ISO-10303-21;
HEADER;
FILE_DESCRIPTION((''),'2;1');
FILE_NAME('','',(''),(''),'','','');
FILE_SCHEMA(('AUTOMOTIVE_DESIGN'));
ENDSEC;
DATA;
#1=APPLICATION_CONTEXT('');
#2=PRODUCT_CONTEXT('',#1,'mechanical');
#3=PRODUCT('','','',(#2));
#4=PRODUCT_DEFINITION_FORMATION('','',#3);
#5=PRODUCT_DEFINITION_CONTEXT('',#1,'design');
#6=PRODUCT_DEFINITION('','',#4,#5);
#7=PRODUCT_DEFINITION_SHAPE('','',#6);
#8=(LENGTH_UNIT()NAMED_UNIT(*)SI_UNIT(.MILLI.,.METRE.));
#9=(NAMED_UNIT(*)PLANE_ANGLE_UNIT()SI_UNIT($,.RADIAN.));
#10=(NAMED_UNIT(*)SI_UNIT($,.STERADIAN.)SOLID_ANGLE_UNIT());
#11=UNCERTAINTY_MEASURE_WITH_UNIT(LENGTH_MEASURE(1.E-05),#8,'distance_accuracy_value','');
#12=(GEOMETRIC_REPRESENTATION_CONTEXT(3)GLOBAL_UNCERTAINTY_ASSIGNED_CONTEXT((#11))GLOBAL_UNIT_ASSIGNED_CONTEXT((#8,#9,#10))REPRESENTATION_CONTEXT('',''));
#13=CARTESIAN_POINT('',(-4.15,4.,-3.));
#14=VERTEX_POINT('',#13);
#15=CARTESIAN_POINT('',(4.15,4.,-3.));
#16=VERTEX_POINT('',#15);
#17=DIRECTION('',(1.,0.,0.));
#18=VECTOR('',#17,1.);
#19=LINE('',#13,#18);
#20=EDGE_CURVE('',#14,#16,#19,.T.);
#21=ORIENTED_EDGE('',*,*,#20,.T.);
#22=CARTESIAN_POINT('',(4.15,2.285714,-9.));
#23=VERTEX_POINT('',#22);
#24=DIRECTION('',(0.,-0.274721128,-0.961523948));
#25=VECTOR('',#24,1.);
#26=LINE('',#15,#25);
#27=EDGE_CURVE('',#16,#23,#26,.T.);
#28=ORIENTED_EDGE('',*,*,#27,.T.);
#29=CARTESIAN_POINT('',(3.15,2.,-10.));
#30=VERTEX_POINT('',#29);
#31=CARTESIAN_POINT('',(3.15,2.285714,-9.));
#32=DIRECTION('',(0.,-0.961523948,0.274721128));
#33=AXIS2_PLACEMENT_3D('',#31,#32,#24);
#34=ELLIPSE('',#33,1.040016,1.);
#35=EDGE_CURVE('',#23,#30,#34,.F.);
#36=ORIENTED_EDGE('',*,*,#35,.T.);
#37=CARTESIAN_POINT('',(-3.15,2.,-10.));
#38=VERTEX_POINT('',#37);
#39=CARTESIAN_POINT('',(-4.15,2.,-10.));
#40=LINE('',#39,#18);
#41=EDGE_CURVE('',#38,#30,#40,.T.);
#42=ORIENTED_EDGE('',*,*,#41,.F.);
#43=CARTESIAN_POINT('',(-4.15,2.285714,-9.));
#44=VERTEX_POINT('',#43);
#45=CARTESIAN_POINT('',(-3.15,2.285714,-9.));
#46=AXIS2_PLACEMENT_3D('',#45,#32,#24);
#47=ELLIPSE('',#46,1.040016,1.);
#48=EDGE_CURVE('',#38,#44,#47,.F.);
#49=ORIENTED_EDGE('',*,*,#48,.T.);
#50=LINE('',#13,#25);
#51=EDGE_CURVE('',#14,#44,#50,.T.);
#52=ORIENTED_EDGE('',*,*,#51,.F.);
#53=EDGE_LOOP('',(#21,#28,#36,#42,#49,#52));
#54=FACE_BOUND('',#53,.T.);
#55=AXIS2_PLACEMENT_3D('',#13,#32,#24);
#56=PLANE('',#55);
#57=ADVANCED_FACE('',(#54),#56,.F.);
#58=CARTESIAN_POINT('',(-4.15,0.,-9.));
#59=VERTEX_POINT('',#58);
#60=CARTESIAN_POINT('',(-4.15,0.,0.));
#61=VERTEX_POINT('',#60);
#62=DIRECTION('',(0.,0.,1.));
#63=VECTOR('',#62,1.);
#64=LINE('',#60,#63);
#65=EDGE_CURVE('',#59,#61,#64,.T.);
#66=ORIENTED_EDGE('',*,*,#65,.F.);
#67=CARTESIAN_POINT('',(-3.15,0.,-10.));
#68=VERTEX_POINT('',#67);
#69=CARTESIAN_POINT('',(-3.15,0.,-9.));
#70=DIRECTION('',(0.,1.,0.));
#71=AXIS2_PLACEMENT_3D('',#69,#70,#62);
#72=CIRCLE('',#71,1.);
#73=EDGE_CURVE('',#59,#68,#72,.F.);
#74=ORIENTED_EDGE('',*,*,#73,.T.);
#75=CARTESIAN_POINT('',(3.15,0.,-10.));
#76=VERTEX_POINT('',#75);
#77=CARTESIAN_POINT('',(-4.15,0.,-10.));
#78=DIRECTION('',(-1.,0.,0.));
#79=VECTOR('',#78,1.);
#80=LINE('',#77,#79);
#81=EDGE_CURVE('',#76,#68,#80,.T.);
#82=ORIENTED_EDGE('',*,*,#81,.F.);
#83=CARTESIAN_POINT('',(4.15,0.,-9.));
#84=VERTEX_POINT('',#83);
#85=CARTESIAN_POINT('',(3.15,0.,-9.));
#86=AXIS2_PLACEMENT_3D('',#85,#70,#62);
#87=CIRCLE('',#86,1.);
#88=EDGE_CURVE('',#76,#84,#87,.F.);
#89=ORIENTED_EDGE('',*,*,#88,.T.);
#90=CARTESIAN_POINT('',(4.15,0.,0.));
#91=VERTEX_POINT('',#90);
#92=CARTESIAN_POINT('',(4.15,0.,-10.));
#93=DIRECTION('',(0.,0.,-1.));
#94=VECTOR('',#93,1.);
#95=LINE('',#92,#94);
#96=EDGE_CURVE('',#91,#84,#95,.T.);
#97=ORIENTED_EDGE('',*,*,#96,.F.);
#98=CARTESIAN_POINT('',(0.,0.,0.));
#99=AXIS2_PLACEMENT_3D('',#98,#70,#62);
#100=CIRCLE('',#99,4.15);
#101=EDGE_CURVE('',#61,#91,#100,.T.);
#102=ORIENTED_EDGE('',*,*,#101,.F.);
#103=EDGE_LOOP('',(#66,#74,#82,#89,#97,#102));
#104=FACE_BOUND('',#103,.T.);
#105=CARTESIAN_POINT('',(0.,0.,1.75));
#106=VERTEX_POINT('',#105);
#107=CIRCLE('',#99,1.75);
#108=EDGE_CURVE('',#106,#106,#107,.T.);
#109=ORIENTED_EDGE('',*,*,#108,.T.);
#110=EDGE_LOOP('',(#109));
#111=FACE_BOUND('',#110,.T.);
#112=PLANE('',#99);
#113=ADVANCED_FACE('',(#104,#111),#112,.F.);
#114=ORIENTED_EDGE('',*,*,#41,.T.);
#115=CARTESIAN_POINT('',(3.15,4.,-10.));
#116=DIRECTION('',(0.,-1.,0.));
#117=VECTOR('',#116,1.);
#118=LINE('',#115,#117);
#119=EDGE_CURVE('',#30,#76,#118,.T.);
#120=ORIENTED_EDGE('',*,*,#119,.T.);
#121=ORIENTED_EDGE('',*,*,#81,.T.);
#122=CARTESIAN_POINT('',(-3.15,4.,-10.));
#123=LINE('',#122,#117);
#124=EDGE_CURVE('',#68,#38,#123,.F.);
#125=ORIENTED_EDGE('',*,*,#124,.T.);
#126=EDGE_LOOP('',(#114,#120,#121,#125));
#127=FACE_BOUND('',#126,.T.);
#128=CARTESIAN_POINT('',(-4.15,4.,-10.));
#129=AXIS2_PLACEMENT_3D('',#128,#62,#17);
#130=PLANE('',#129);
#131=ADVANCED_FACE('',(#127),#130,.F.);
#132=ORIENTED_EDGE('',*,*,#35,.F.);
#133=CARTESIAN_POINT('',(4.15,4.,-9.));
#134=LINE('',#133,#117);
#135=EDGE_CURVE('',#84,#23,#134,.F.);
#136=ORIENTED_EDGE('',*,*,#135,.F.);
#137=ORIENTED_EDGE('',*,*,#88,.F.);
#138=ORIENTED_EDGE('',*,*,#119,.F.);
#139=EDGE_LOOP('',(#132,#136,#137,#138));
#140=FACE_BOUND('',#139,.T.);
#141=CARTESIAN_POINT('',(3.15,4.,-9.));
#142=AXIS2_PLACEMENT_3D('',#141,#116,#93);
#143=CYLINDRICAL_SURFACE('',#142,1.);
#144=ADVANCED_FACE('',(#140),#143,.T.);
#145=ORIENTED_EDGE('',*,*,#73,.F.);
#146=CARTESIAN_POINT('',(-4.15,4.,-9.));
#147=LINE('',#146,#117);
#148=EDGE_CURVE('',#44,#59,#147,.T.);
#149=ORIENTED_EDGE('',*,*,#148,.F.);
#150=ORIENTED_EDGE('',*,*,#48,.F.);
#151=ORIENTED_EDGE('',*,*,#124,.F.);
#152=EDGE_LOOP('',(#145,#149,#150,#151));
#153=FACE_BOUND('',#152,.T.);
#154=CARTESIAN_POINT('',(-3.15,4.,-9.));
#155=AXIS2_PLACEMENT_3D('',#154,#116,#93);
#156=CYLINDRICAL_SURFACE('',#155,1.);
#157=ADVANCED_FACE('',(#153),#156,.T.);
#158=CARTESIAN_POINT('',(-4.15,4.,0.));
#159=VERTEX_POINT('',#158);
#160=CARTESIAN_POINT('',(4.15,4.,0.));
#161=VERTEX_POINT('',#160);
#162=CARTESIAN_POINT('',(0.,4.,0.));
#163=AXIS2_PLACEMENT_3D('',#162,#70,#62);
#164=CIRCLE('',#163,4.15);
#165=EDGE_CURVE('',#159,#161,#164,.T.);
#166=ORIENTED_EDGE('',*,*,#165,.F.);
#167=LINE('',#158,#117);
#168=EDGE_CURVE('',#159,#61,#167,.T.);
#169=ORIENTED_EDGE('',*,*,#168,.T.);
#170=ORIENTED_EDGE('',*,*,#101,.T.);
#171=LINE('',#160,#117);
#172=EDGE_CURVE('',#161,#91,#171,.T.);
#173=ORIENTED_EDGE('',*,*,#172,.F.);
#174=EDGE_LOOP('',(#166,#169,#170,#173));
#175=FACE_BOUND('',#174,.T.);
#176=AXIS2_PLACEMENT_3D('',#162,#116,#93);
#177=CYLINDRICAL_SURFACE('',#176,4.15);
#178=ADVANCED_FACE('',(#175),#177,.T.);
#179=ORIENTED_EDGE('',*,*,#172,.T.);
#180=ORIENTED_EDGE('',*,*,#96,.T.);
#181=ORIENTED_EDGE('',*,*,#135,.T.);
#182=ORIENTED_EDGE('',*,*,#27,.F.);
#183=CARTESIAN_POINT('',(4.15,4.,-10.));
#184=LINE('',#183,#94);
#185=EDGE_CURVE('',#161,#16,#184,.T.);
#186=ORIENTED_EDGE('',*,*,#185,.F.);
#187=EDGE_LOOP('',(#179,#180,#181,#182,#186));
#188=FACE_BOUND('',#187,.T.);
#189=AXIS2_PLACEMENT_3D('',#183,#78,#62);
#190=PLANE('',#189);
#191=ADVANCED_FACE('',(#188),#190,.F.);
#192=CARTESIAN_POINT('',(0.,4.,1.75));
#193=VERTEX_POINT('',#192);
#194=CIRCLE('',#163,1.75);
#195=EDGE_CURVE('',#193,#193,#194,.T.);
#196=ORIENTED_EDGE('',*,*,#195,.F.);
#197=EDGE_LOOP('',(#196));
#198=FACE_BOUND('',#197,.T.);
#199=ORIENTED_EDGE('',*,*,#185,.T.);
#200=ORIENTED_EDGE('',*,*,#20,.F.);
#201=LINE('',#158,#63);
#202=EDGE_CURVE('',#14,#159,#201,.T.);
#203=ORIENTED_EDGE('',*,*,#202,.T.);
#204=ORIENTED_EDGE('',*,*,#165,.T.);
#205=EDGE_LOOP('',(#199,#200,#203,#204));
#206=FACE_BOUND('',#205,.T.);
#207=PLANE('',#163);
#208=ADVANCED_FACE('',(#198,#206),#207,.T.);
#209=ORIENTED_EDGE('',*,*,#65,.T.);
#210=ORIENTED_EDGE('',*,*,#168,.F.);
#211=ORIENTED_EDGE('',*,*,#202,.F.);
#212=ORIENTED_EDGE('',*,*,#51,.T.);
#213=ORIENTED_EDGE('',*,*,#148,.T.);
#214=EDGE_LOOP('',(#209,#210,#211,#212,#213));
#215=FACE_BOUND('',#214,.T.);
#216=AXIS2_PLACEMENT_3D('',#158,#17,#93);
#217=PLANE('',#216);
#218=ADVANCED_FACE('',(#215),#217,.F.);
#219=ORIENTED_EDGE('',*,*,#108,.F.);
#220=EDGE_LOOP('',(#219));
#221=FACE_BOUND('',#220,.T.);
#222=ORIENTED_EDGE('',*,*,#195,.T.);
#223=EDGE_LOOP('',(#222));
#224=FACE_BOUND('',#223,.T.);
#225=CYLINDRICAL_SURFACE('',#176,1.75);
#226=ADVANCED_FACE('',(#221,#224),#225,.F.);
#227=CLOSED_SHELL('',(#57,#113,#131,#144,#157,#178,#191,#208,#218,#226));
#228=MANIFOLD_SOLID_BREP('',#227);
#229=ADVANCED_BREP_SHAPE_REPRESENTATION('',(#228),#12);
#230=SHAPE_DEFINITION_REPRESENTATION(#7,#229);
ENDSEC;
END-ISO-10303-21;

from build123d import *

# Parameters (mm, degrees)
SCHIZZO1_R                   = 1.75
ESTRUSIONE_ESTRUSIONE1_DEPTH = 4
TAGLIO_ESTRUSIONE1_DEPTH     = 14.597426227
RACCORDO1_R                  = 1


with BuildPart() as part:
    # Schizzo1 → Estrusione-Estrusione1 (new body)
    with BuildSketch(Plane(origin=(0, 0, 0), x_dir=(1, 0, 0), z_dir=(0, 1, 0))):
        with BuildLine():
            Line((-4.15, 0), (-4.15, 10))
            Line((-4.15, 10), (4.15, 10))
            Line((4.15, 10), (4.15, 0))
            ThreePointArc((4.15, 0), (0, -4.15), (-4.15, 0))
        make_face()
        with Locations(Location((0, 0, 0), (0, 0, 270))):
            Circle(SCHIZZO1_R, mode=Mode.SUBTRACT)
    extrude(amount=ESTRUSIONE_ESTRUSIONE1_DEPTH)

    # Schizzo2 → Taglio-Estrusione1 (cut, through all)
    with BuildSketch(Plane(origin=(4.15, 0, 0), x_dir=(0, 0, -1), z_dir=(1, 0, 0))):
        Polygon((10, 2), (10, 4), (3, 4), align=None)
    extrude(amount=-TAGLIO_ESTRUSIONE1_DEPTH, mode=Mode.SUBTRACT)

    # Raccordo1
    raccordo1_edges = [part.edges().sort_by_distance(p)[0] for p in [
        (-4.15, 1, -10),
        (4.15, 1, -10),
    ]]
    fillet(raccordo1_edges, radius=RACCORDO1_R)


solid = part.part
